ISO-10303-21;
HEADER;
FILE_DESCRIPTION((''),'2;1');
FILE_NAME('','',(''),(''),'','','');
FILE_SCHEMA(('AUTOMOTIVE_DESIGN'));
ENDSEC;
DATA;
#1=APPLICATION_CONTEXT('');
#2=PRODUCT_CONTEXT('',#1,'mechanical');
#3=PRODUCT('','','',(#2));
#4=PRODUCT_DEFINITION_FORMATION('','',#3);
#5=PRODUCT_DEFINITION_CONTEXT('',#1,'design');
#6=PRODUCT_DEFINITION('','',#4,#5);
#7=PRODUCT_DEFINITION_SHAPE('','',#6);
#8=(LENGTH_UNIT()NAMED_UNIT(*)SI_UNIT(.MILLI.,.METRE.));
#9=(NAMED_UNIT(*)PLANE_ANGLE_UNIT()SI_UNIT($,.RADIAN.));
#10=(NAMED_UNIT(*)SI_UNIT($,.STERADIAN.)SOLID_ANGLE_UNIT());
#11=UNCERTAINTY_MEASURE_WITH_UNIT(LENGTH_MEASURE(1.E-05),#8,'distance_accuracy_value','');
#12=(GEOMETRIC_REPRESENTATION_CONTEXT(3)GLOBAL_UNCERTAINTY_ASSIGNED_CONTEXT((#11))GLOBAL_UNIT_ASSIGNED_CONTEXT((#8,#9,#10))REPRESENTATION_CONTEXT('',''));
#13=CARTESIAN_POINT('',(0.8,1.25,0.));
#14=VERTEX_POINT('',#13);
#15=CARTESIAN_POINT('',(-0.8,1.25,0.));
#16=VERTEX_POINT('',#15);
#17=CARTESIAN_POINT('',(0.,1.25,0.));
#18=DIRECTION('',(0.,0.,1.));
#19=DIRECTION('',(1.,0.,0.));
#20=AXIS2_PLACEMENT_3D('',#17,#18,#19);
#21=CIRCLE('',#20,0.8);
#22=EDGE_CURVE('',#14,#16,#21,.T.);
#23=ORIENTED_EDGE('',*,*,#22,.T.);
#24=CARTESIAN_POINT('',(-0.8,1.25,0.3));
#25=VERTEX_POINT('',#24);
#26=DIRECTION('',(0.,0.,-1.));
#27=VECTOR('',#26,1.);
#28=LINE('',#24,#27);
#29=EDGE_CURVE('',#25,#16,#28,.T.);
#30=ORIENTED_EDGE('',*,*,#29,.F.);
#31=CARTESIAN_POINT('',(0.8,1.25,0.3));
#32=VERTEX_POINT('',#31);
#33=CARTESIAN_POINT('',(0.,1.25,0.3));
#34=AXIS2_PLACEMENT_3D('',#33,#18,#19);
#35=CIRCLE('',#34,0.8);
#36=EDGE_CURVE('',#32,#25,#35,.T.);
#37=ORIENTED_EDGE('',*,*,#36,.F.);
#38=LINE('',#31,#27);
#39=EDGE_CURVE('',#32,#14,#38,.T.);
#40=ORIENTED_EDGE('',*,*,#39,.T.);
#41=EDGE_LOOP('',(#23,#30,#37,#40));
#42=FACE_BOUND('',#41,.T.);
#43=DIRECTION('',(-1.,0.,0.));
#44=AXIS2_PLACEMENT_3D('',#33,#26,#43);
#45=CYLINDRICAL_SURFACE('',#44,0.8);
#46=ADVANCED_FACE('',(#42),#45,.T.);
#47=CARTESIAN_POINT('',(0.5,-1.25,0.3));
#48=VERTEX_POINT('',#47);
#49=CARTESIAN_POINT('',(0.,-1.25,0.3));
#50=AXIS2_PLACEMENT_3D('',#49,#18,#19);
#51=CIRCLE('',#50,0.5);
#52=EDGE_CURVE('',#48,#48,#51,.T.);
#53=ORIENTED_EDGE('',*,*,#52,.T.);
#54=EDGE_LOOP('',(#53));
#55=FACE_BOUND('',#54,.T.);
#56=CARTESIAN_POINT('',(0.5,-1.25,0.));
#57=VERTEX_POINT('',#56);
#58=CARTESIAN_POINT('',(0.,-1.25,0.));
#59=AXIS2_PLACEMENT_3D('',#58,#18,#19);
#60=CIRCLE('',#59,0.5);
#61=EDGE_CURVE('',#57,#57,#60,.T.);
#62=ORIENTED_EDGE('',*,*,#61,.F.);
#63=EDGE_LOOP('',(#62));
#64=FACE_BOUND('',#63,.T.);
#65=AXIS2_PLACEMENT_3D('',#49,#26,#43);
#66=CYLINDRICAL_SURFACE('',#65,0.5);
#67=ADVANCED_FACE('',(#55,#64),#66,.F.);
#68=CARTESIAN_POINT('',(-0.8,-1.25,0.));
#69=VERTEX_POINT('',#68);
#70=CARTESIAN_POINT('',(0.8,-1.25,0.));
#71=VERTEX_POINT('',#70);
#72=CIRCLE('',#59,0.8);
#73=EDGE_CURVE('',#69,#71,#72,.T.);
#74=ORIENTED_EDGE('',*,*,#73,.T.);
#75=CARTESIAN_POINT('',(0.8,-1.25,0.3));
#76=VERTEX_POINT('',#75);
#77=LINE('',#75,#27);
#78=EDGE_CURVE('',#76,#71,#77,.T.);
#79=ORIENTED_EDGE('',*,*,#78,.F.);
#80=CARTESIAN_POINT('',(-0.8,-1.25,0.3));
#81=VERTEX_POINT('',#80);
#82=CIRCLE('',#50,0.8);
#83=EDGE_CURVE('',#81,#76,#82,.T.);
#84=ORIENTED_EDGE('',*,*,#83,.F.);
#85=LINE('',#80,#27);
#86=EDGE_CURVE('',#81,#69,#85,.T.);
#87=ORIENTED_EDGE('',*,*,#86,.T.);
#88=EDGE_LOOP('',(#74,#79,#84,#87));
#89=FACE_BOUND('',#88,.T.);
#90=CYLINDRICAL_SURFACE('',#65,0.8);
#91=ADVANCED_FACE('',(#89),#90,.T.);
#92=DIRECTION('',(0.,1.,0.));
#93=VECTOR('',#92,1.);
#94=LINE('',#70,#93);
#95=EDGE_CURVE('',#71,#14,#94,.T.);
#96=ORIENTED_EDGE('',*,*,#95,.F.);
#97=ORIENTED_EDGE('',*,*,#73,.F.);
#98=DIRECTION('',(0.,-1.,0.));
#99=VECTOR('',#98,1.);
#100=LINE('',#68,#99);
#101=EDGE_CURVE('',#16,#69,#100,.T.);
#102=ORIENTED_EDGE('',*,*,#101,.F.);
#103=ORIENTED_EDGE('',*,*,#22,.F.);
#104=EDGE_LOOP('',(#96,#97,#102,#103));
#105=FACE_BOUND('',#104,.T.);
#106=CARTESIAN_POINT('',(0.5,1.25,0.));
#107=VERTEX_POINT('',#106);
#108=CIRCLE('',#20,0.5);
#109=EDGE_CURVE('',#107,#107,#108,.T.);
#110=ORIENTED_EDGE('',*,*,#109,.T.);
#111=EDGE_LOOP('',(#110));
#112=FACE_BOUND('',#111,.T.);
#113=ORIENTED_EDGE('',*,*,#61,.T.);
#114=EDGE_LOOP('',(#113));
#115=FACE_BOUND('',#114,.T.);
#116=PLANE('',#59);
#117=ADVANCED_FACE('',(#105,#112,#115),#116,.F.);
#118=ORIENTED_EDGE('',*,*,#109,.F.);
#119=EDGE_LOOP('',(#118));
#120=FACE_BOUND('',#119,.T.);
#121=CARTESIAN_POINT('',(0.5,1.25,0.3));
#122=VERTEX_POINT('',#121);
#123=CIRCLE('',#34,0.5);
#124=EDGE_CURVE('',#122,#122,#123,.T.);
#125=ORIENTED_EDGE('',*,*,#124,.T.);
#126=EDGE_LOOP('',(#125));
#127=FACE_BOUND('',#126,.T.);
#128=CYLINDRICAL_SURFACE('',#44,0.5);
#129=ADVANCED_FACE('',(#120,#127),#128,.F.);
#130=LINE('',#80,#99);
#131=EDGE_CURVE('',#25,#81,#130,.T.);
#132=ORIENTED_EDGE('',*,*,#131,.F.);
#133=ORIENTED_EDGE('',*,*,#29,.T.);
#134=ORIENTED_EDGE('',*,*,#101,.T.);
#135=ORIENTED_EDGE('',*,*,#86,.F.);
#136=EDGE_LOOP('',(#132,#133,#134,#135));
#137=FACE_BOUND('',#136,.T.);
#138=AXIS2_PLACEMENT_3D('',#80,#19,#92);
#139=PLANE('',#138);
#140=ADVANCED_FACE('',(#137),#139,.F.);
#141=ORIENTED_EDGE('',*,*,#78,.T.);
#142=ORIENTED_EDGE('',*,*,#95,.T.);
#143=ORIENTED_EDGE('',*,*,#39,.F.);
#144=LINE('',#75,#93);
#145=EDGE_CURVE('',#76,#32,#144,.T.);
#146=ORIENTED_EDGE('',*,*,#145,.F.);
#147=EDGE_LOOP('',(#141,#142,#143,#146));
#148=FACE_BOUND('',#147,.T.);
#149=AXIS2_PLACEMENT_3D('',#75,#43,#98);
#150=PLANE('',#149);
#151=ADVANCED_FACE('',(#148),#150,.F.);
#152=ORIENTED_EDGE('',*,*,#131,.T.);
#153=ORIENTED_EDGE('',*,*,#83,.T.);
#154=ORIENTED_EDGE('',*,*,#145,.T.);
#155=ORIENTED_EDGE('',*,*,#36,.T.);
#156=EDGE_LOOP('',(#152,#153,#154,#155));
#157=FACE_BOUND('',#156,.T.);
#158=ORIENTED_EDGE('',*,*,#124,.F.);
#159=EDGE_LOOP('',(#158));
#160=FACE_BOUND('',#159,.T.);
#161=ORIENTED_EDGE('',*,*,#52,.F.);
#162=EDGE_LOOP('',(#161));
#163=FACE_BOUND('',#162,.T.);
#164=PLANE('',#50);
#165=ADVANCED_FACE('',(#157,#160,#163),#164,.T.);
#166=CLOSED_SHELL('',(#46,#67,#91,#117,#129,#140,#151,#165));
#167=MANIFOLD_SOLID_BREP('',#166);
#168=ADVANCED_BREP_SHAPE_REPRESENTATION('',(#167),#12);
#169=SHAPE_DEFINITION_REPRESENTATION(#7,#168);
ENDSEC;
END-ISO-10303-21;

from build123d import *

# Parameters (mm, degrees)
SKETCH_1_R      = 0.5
EXTRUDE_1_DEPTH = 0.3


with BuildPart() as part:
    # 草圖1 → 填料-伸長1 (new body)
    with BuildSketch(Plane.XY):
        with BuildLine():
            Line((-0.8, -1.25), (-0.8, 1.25))
            ThreePointArc((-0.8, 1.25), (0, 2.05), (0.8, 1.25))
            Line((0.8, 1.25), (0.8, -1.25))
            ThreePointArc((0.8, -1.25), (0, -2.05), (-0.8, -1.25))
        make_face()
        with Locations((0, 1.25)):
            Circle(SKETCH_1_R, mode=Mode.SUBTRACT)
        with Locations((0, -1.25)):
            Circle(SKETCH_1_R, mode=Mode.SUBTRACT)
    extrude(amount=EXTRUDE_1_DEPTH)


solid = part.part
